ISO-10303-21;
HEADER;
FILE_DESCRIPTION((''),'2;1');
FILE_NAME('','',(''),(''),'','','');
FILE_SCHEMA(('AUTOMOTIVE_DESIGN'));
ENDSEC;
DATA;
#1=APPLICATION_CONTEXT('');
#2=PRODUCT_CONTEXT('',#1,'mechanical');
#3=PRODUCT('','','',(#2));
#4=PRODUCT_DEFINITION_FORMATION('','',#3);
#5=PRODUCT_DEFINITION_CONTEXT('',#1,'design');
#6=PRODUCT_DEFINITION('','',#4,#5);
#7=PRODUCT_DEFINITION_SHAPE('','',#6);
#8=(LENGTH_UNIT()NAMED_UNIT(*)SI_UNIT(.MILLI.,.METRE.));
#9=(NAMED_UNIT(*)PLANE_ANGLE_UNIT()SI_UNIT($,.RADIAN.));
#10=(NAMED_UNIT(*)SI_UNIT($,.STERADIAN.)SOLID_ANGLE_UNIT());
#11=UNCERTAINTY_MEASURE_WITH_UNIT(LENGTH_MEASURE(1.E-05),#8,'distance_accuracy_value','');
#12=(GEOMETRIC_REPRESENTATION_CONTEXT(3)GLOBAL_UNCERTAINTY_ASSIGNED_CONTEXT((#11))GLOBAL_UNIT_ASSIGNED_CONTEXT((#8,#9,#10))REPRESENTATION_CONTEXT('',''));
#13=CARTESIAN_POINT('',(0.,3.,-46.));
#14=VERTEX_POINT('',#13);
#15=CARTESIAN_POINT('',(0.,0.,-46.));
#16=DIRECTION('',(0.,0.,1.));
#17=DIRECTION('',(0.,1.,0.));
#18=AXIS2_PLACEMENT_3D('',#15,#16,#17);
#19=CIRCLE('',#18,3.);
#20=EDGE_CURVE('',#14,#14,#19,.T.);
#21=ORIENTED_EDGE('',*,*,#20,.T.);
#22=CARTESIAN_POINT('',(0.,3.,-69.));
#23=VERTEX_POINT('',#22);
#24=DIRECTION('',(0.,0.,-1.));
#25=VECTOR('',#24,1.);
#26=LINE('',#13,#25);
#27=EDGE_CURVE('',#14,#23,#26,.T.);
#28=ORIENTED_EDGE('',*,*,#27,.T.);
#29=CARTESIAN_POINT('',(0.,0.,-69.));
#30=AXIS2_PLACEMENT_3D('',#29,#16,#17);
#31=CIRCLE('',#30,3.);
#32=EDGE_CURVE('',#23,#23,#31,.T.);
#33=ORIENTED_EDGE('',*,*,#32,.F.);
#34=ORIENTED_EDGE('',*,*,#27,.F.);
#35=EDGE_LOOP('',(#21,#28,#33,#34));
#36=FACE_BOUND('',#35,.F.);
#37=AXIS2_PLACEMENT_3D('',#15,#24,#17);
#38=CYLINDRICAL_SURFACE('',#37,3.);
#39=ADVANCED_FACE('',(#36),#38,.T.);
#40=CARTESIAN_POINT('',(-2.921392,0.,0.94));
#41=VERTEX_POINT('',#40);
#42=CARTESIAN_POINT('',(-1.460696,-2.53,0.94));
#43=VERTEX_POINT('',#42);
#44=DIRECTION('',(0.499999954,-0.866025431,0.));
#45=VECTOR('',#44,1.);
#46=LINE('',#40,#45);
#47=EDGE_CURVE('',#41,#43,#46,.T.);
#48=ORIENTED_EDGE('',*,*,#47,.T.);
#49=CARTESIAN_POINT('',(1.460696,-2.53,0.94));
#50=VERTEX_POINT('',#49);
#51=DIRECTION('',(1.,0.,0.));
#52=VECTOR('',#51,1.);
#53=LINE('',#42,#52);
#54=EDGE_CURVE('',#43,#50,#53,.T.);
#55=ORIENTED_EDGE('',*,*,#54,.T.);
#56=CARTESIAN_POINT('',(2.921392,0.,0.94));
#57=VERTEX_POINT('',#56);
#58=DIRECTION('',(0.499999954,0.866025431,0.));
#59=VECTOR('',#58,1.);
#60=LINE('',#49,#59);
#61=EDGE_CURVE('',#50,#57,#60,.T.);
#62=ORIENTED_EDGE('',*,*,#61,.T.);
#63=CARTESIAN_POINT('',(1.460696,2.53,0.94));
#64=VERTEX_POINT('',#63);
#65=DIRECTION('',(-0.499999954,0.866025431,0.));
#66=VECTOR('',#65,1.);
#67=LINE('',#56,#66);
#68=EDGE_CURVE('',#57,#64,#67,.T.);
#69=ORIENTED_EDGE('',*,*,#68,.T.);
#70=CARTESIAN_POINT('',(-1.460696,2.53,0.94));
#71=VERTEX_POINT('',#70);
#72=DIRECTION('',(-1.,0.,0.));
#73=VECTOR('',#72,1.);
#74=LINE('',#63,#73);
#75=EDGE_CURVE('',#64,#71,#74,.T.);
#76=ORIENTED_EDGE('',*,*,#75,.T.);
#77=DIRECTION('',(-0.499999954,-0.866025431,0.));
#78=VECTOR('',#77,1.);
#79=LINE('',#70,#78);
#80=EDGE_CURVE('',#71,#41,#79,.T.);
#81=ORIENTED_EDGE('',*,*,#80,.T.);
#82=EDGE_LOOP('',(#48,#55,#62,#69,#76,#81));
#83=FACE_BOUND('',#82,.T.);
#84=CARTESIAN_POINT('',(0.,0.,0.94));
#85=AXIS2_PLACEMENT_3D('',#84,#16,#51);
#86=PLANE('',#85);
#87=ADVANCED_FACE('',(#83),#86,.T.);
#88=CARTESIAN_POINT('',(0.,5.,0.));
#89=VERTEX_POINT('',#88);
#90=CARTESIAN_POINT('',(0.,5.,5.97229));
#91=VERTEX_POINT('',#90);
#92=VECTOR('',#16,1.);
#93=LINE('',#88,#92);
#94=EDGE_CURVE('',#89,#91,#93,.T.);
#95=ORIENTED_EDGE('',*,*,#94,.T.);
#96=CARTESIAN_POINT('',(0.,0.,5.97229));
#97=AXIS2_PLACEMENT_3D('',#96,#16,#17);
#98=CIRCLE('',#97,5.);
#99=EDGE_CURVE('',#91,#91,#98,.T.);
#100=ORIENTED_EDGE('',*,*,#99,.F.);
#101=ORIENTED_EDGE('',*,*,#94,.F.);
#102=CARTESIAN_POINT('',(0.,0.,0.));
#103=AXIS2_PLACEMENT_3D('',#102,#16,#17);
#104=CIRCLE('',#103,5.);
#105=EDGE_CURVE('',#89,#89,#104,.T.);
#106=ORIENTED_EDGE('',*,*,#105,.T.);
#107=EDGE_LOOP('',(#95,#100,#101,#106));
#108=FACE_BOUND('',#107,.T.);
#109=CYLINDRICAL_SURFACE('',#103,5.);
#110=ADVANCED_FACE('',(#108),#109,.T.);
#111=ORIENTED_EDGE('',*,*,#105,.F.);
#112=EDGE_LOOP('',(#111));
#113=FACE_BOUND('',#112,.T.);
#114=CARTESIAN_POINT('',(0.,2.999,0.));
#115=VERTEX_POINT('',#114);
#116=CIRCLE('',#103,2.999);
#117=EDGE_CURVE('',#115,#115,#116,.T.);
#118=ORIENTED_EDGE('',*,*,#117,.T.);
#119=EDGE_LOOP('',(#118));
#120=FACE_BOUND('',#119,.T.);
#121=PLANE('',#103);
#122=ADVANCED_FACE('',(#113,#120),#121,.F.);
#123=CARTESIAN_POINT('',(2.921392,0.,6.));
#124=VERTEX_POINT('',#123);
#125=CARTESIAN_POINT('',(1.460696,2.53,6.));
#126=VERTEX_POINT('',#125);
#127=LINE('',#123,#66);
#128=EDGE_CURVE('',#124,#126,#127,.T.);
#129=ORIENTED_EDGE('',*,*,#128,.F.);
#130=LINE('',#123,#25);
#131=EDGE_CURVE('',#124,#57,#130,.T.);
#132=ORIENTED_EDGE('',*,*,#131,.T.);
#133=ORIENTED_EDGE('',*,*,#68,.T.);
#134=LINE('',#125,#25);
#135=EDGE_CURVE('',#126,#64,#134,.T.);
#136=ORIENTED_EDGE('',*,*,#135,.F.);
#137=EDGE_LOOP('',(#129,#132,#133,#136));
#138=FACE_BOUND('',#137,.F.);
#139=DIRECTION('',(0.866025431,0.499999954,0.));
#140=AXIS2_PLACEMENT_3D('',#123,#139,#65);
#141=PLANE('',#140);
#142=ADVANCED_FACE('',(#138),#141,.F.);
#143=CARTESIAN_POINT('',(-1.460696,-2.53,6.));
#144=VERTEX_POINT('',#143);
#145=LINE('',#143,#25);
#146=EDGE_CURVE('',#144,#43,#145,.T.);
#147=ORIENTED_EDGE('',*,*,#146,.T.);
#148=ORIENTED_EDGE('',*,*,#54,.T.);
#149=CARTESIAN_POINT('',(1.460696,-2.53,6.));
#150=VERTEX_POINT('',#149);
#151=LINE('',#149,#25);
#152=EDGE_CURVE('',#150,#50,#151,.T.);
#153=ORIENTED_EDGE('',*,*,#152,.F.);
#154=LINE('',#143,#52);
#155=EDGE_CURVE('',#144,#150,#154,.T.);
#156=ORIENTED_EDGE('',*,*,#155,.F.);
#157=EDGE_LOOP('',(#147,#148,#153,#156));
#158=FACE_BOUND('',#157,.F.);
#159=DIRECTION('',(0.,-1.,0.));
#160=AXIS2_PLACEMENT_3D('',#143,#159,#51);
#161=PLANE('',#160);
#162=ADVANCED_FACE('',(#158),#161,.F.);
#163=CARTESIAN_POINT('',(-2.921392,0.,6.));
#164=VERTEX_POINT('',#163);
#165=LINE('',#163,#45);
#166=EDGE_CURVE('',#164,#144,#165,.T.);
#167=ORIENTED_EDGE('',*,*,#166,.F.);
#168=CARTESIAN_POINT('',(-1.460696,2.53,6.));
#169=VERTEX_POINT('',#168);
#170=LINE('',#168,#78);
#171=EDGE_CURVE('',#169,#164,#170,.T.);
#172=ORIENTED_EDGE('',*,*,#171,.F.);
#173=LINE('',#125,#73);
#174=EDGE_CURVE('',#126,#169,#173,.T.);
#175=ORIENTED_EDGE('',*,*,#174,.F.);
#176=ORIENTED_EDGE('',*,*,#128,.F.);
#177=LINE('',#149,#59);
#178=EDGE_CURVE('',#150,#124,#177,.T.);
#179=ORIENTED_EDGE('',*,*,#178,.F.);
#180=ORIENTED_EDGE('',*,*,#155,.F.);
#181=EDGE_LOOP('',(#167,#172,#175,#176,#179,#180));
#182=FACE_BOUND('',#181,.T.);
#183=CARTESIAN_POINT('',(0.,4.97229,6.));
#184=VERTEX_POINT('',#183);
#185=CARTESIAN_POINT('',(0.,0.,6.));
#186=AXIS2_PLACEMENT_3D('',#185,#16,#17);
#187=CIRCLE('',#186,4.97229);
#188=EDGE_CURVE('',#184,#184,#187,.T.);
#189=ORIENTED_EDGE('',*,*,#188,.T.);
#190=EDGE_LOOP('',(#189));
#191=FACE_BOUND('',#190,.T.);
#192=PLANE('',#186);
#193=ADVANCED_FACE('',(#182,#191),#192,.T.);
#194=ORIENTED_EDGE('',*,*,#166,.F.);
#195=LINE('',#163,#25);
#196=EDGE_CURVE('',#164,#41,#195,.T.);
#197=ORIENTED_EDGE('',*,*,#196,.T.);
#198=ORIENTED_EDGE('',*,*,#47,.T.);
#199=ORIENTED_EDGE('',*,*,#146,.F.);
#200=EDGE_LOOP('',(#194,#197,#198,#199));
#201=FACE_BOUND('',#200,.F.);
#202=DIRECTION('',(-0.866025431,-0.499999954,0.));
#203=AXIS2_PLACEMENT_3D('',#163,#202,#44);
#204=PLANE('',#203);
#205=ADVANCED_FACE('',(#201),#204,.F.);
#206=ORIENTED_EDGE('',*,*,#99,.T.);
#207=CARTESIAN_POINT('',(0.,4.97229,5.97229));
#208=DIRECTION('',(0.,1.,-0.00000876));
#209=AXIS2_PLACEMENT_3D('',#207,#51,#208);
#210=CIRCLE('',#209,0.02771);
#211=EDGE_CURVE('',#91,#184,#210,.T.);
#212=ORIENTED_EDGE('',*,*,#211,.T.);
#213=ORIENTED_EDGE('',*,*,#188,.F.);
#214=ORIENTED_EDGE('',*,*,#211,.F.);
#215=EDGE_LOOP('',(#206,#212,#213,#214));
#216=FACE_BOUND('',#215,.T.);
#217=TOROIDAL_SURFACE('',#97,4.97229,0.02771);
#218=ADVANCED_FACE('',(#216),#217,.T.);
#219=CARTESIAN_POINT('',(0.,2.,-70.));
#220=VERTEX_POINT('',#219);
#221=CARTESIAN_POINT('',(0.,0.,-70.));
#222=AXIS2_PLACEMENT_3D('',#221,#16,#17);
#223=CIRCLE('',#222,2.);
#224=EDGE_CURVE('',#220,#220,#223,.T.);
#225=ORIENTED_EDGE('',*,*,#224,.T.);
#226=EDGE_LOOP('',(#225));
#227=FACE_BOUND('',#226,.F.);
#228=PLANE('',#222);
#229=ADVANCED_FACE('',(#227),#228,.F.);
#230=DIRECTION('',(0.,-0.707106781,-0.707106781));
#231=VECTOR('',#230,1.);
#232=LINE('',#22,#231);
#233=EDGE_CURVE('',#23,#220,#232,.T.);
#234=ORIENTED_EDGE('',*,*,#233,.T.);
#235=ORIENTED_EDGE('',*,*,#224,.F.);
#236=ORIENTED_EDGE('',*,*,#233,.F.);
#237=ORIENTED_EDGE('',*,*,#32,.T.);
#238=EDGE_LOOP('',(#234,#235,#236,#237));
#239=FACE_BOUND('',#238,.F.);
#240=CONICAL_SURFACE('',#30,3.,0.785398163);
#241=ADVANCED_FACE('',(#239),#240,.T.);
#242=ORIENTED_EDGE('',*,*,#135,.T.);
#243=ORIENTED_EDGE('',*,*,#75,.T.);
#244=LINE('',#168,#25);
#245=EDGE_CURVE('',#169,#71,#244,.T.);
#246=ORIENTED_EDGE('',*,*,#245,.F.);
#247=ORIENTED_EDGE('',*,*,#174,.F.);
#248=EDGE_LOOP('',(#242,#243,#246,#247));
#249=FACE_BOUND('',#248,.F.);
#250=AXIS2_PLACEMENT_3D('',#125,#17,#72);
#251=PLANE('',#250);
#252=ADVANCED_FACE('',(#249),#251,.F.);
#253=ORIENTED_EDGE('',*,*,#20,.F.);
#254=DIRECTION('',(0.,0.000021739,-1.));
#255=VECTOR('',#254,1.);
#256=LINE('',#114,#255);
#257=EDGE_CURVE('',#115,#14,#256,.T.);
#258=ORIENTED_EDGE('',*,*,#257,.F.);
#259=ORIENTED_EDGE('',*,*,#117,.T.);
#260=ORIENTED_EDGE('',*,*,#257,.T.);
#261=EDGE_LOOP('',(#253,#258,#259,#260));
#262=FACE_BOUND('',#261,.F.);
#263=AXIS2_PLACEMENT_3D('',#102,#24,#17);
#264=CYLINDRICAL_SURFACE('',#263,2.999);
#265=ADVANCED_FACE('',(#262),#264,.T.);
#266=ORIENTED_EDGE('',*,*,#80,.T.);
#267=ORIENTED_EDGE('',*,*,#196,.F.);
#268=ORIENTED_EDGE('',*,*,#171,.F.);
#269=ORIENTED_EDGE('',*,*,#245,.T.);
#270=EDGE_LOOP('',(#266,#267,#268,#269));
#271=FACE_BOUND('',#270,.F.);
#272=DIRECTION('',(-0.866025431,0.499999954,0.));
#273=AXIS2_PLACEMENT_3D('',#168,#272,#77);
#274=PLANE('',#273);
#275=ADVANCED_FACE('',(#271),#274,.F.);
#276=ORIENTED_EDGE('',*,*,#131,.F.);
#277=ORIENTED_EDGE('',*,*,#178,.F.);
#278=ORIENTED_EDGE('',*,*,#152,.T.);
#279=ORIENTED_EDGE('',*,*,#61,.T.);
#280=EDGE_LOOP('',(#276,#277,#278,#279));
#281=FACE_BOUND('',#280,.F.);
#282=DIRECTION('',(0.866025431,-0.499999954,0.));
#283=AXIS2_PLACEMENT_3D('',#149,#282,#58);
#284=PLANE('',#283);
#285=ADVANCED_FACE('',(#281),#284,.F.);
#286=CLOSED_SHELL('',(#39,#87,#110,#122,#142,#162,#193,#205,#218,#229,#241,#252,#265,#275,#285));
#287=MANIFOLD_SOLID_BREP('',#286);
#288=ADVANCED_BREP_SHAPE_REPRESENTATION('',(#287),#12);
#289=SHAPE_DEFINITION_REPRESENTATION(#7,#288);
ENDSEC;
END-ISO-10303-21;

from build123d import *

# Parameters (mm, degrees)
POCKET_DEPTH = 5.06


with BuildPart() as part:
    # Sketch → Revolve (revolve)
    with BuildSketch(Plane.YZ):
        with BuildLine():
            Line((2.999, 0), (5, 0))
            Line((5, 0), (5, 5.97229))
            ThreePointArc((5, 5.97229), (4.991884, 5.991884), (4.97229, 6))
            Line((4.97229, 6), (0, 6))
            Line((0, -70), (0, 6))
            Line((2, -70), (0, -70))
            Line((3, -69), (2, -70))
            Line((3, -46), (3, -69))
            Line((2.999, 0), (3, -46))
        make_face()
    revolve(axis=Axis((0, 0, 0), (0, 0, 1)))

    # Sketch001 → Pocket (cut)
    with BuildSketch(Plane.XY.offset(6)):
        Polygon((2.921392, 0), (1.460696, 2.53), (-1.460696, 2.53), (-2.921392, 0), (-1.460696, -2.53), (1.460696, -2.53), align=None)
    extrude(amount=-POCKET_DEPTH, mode=Mode.SUBTRACT)


solid = part.part
